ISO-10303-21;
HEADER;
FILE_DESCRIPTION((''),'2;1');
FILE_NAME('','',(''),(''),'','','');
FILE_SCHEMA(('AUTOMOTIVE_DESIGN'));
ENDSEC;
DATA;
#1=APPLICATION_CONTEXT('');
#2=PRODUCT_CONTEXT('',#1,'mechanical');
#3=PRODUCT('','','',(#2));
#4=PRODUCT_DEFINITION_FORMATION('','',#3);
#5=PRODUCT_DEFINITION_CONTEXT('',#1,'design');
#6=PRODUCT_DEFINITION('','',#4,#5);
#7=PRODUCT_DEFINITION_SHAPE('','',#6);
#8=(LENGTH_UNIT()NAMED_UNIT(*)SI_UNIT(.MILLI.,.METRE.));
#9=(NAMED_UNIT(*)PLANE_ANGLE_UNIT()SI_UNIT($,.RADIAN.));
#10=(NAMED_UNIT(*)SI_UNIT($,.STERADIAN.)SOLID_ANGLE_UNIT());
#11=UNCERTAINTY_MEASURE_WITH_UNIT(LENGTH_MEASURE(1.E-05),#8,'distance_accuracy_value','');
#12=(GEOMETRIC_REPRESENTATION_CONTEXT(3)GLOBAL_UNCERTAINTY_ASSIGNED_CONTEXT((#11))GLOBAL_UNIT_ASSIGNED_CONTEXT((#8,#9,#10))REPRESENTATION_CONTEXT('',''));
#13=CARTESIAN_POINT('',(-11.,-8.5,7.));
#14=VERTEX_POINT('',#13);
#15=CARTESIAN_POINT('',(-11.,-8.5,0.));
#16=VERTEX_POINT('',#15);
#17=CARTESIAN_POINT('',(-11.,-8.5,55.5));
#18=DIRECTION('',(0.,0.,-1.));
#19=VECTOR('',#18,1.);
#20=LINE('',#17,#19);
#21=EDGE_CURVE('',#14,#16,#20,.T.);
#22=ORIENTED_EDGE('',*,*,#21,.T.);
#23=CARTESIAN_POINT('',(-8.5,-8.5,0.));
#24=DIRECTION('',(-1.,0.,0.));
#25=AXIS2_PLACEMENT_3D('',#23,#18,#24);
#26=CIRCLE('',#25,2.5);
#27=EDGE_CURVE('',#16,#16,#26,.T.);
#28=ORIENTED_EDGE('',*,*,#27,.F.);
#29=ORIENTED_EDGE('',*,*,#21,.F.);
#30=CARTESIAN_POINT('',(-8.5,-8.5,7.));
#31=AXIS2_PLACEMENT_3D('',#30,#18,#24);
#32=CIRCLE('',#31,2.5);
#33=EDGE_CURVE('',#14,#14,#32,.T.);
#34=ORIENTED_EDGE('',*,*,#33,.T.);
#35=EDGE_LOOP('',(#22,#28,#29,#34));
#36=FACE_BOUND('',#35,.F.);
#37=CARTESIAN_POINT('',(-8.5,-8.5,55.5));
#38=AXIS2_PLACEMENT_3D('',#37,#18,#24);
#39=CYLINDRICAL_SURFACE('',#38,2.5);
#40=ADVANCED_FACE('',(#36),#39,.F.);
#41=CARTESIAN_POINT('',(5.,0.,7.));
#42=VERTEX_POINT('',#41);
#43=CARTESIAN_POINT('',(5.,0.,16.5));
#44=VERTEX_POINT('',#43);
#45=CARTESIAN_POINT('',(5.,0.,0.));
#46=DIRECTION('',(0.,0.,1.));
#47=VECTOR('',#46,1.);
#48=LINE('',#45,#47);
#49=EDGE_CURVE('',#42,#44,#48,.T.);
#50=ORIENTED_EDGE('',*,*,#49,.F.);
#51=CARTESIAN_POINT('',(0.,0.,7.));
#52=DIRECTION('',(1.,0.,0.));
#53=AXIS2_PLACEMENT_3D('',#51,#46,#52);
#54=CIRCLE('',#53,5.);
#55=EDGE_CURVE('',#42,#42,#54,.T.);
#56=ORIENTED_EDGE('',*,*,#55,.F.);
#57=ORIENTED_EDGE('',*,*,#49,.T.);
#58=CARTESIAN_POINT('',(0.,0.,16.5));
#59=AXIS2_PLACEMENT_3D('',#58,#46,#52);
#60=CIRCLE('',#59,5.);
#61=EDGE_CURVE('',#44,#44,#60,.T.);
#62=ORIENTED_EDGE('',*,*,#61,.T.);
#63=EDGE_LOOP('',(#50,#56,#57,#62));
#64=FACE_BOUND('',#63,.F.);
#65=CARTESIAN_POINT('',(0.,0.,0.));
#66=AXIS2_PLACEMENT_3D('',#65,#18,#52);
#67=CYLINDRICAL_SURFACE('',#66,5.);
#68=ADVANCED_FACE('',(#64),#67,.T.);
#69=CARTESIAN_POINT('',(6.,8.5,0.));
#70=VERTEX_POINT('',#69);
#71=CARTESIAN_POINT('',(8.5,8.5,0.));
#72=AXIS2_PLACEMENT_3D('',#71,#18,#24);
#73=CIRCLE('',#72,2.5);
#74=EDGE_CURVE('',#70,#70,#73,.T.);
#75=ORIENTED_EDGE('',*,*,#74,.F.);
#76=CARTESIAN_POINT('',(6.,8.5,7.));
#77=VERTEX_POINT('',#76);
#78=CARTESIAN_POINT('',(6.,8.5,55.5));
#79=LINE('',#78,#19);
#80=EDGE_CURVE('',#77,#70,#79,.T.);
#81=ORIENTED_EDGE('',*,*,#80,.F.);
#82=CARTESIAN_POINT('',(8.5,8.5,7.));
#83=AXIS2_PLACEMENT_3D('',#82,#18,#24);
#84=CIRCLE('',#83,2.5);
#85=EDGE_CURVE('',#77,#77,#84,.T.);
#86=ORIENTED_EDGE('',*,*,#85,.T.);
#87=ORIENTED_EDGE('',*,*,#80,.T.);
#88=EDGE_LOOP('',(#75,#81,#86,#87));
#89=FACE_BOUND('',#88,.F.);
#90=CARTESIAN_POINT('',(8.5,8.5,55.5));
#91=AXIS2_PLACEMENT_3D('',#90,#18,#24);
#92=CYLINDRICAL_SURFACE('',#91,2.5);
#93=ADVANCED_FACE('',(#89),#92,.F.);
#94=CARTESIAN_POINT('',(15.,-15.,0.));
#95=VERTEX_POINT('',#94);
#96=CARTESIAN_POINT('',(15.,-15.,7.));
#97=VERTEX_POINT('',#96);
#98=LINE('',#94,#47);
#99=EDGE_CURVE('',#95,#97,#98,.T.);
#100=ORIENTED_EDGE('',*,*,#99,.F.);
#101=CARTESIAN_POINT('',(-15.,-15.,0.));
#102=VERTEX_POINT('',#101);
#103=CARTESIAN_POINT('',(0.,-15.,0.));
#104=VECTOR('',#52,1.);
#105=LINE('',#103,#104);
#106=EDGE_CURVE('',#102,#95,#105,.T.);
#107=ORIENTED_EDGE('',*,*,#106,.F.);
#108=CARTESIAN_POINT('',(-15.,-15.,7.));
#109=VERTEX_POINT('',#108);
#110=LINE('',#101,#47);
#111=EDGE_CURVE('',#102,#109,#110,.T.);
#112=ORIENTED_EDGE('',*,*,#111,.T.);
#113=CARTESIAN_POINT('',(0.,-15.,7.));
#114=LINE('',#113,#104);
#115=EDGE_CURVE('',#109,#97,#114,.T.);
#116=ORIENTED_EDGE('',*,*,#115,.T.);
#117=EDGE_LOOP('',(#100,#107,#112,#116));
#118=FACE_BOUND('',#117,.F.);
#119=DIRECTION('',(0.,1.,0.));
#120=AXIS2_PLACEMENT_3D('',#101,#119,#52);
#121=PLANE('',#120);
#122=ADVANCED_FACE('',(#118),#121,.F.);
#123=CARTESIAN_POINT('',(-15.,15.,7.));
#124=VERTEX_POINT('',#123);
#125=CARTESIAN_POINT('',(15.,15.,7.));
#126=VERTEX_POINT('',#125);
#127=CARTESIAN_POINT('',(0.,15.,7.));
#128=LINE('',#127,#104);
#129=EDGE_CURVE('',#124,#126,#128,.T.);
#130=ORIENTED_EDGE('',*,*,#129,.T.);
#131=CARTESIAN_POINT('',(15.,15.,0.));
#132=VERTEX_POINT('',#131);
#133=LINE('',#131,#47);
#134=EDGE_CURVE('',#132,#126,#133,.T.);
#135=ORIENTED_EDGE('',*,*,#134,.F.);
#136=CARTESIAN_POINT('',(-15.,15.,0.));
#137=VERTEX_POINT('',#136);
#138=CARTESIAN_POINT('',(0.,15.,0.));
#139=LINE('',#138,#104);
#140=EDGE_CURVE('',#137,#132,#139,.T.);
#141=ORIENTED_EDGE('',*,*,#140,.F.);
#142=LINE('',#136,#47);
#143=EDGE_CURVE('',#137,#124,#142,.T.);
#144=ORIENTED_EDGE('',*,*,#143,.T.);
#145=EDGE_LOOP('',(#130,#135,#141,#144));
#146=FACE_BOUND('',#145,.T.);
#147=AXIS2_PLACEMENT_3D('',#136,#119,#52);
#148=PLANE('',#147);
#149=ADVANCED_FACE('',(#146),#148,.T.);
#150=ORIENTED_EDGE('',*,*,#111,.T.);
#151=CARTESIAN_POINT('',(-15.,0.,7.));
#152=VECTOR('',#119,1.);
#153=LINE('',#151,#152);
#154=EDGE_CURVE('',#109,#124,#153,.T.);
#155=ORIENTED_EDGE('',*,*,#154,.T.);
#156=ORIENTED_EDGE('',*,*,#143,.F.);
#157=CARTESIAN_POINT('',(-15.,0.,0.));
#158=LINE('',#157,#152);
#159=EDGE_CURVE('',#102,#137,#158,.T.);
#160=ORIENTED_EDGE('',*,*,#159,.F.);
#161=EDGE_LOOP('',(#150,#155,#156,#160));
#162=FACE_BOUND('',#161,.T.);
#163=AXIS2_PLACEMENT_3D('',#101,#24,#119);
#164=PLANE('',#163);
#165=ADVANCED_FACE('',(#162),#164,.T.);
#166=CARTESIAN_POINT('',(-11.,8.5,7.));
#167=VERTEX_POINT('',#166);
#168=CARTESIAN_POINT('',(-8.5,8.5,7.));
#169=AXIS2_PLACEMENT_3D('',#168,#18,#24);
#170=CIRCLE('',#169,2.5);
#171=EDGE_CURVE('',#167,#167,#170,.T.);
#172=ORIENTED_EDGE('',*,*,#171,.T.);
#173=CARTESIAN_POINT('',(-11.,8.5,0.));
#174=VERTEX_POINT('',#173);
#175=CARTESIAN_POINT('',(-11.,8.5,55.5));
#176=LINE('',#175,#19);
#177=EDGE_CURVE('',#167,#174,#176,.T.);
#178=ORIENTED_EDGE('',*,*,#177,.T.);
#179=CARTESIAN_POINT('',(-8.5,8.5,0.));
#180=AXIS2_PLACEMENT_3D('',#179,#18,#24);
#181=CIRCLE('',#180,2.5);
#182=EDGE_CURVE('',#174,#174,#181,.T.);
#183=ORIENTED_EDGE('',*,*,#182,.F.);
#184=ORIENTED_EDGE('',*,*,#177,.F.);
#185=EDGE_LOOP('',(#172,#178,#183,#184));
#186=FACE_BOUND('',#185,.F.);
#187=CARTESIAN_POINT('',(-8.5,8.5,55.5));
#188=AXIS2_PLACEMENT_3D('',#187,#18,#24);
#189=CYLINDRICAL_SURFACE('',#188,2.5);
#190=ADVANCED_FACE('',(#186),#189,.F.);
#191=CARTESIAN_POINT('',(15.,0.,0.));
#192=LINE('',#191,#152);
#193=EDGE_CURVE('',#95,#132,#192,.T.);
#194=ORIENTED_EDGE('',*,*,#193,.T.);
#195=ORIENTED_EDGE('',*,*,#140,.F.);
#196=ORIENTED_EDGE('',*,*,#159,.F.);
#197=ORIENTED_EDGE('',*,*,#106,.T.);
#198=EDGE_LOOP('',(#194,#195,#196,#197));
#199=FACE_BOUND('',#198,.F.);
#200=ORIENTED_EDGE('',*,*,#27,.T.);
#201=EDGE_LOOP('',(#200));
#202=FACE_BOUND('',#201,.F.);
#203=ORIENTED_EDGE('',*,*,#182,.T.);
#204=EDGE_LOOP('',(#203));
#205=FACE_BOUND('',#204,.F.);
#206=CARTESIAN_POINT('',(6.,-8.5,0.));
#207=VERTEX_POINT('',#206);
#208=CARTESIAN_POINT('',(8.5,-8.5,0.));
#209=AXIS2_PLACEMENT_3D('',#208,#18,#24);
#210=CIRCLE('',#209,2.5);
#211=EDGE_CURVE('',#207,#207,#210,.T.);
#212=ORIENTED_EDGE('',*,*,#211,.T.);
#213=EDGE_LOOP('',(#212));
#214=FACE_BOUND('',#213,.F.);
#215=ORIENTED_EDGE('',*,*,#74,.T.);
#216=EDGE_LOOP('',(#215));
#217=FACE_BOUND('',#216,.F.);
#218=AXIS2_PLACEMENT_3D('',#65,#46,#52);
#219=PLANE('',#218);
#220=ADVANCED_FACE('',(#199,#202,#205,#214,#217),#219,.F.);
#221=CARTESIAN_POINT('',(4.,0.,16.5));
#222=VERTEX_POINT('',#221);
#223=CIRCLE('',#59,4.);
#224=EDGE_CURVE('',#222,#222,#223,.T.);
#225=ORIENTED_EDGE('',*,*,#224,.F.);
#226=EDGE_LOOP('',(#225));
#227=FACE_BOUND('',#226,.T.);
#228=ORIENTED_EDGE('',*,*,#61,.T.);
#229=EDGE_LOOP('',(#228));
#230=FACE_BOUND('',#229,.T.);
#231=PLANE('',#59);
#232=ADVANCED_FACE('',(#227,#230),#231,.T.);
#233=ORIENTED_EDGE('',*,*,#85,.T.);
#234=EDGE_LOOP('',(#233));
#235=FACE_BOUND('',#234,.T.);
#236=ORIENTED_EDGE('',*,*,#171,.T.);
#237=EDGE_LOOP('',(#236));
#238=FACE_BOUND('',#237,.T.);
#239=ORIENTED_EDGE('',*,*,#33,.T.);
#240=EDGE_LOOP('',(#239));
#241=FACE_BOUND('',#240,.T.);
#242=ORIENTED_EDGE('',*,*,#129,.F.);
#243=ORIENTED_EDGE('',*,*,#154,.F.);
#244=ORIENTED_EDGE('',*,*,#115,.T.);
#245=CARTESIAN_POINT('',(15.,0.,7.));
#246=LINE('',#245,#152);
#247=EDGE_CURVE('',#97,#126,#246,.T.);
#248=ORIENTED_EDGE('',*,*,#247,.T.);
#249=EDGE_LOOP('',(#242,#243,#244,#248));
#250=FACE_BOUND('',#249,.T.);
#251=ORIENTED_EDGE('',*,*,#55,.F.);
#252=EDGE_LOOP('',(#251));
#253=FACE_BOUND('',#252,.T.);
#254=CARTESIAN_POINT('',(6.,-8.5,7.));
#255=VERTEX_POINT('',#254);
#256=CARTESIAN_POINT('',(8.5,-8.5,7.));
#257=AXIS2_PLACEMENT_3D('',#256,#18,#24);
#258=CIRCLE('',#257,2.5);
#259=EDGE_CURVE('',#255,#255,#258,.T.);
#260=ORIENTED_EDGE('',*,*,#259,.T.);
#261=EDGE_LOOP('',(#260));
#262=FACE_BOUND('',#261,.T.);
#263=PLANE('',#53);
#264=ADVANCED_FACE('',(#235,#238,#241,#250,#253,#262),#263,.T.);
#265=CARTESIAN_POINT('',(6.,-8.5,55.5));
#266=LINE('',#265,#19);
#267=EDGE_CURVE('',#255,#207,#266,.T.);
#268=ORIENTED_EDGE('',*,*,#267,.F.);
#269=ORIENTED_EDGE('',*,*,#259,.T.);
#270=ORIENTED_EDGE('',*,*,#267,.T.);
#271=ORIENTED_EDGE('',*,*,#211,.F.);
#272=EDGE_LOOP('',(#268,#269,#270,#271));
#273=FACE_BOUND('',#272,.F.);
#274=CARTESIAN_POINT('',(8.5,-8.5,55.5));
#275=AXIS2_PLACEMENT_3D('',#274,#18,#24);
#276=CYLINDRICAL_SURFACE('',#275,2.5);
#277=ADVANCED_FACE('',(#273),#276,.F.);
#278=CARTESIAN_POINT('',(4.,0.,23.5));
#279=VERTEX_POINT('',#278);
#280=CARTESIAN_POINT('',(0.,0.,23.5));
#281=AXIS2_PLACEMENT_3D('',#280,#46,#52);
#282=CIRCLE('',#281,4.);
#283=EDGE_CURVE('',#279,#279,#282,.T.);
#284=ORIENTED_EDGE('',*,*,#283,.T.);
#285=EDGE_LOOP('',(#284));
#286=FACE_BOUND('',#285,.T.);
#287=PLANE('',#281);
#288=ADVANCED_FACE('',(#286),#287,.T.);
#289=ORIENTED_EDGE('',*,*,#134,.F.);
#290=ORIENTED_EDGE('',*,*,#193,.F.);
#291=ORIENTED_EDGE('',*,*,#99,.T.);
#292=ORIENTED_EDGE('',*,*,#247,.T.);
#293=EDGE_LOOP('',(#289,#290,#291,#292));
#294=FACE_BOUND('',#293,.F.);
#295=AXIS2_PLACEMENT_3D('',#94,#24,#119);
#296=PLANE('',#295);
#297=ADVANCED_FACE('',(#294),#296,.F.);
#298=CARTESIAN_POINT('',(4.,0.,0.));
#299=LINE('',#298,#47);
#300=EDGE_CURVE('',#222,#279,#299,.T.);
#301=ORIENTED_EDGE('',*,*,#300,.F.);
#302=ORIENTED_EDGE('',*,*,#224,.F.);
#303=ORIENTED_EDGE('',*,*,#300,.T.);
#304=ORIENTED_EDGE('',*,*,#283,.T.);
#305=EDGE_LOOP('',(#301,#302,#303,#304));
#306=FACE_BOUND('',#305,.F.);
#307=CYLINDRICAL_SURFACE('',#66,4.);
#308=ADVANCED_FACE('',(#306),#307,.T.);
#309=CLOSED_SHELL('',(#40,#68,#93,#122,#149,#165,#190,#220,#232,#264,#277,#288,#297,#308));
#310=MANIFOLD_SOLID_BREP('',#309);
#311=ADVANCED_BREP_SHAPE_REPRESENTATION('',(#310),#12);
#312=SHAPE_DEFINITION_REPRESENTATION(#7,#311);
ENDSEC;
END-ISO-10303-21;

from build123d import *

# Parameters (mm, degrees)
F0_W     = 30
F0_H     = 30
F0_R     = 5
F1_DEPTH = 7
F0_R_2   = 4
F2_DEPTH = 16.5
F3_DEPTH = 23.5
F5_D     = 5


with BuildPart() as f1:
    # F0 (on Top) → F1 (new body)
    with BuildSketch(Plane.XY):
        Rectangle(F0_W, F0_H)
        Circle(F0_R, mode=Mode.SUBTRACT)
    extrude(amount=F1_DEPTH)

    # F0 (on Top) → F2 (join)
    with BuildSketch(Plane.XY):
        Circle(F0_R)
        Circle(F0_R_2, mode=Mode.SUBTRACT)
    extrude(amount=F2_DEPTH)

    # F0 (on Top) → F3 (join)
    with BuildSketch(Plane.XY):
        Circle(F0_R_2)
    extrude(amount=F3_DEPTH)

    # F5 (through all)
    with Locations(Plane.XY.offset(7)):
        with Locations((8.5, 8.5), (-8.5, 8.5), (-8.5, -8.5), (8.5, -8.5)):
            Hole(F5_D / 2)


solid = f1.part
